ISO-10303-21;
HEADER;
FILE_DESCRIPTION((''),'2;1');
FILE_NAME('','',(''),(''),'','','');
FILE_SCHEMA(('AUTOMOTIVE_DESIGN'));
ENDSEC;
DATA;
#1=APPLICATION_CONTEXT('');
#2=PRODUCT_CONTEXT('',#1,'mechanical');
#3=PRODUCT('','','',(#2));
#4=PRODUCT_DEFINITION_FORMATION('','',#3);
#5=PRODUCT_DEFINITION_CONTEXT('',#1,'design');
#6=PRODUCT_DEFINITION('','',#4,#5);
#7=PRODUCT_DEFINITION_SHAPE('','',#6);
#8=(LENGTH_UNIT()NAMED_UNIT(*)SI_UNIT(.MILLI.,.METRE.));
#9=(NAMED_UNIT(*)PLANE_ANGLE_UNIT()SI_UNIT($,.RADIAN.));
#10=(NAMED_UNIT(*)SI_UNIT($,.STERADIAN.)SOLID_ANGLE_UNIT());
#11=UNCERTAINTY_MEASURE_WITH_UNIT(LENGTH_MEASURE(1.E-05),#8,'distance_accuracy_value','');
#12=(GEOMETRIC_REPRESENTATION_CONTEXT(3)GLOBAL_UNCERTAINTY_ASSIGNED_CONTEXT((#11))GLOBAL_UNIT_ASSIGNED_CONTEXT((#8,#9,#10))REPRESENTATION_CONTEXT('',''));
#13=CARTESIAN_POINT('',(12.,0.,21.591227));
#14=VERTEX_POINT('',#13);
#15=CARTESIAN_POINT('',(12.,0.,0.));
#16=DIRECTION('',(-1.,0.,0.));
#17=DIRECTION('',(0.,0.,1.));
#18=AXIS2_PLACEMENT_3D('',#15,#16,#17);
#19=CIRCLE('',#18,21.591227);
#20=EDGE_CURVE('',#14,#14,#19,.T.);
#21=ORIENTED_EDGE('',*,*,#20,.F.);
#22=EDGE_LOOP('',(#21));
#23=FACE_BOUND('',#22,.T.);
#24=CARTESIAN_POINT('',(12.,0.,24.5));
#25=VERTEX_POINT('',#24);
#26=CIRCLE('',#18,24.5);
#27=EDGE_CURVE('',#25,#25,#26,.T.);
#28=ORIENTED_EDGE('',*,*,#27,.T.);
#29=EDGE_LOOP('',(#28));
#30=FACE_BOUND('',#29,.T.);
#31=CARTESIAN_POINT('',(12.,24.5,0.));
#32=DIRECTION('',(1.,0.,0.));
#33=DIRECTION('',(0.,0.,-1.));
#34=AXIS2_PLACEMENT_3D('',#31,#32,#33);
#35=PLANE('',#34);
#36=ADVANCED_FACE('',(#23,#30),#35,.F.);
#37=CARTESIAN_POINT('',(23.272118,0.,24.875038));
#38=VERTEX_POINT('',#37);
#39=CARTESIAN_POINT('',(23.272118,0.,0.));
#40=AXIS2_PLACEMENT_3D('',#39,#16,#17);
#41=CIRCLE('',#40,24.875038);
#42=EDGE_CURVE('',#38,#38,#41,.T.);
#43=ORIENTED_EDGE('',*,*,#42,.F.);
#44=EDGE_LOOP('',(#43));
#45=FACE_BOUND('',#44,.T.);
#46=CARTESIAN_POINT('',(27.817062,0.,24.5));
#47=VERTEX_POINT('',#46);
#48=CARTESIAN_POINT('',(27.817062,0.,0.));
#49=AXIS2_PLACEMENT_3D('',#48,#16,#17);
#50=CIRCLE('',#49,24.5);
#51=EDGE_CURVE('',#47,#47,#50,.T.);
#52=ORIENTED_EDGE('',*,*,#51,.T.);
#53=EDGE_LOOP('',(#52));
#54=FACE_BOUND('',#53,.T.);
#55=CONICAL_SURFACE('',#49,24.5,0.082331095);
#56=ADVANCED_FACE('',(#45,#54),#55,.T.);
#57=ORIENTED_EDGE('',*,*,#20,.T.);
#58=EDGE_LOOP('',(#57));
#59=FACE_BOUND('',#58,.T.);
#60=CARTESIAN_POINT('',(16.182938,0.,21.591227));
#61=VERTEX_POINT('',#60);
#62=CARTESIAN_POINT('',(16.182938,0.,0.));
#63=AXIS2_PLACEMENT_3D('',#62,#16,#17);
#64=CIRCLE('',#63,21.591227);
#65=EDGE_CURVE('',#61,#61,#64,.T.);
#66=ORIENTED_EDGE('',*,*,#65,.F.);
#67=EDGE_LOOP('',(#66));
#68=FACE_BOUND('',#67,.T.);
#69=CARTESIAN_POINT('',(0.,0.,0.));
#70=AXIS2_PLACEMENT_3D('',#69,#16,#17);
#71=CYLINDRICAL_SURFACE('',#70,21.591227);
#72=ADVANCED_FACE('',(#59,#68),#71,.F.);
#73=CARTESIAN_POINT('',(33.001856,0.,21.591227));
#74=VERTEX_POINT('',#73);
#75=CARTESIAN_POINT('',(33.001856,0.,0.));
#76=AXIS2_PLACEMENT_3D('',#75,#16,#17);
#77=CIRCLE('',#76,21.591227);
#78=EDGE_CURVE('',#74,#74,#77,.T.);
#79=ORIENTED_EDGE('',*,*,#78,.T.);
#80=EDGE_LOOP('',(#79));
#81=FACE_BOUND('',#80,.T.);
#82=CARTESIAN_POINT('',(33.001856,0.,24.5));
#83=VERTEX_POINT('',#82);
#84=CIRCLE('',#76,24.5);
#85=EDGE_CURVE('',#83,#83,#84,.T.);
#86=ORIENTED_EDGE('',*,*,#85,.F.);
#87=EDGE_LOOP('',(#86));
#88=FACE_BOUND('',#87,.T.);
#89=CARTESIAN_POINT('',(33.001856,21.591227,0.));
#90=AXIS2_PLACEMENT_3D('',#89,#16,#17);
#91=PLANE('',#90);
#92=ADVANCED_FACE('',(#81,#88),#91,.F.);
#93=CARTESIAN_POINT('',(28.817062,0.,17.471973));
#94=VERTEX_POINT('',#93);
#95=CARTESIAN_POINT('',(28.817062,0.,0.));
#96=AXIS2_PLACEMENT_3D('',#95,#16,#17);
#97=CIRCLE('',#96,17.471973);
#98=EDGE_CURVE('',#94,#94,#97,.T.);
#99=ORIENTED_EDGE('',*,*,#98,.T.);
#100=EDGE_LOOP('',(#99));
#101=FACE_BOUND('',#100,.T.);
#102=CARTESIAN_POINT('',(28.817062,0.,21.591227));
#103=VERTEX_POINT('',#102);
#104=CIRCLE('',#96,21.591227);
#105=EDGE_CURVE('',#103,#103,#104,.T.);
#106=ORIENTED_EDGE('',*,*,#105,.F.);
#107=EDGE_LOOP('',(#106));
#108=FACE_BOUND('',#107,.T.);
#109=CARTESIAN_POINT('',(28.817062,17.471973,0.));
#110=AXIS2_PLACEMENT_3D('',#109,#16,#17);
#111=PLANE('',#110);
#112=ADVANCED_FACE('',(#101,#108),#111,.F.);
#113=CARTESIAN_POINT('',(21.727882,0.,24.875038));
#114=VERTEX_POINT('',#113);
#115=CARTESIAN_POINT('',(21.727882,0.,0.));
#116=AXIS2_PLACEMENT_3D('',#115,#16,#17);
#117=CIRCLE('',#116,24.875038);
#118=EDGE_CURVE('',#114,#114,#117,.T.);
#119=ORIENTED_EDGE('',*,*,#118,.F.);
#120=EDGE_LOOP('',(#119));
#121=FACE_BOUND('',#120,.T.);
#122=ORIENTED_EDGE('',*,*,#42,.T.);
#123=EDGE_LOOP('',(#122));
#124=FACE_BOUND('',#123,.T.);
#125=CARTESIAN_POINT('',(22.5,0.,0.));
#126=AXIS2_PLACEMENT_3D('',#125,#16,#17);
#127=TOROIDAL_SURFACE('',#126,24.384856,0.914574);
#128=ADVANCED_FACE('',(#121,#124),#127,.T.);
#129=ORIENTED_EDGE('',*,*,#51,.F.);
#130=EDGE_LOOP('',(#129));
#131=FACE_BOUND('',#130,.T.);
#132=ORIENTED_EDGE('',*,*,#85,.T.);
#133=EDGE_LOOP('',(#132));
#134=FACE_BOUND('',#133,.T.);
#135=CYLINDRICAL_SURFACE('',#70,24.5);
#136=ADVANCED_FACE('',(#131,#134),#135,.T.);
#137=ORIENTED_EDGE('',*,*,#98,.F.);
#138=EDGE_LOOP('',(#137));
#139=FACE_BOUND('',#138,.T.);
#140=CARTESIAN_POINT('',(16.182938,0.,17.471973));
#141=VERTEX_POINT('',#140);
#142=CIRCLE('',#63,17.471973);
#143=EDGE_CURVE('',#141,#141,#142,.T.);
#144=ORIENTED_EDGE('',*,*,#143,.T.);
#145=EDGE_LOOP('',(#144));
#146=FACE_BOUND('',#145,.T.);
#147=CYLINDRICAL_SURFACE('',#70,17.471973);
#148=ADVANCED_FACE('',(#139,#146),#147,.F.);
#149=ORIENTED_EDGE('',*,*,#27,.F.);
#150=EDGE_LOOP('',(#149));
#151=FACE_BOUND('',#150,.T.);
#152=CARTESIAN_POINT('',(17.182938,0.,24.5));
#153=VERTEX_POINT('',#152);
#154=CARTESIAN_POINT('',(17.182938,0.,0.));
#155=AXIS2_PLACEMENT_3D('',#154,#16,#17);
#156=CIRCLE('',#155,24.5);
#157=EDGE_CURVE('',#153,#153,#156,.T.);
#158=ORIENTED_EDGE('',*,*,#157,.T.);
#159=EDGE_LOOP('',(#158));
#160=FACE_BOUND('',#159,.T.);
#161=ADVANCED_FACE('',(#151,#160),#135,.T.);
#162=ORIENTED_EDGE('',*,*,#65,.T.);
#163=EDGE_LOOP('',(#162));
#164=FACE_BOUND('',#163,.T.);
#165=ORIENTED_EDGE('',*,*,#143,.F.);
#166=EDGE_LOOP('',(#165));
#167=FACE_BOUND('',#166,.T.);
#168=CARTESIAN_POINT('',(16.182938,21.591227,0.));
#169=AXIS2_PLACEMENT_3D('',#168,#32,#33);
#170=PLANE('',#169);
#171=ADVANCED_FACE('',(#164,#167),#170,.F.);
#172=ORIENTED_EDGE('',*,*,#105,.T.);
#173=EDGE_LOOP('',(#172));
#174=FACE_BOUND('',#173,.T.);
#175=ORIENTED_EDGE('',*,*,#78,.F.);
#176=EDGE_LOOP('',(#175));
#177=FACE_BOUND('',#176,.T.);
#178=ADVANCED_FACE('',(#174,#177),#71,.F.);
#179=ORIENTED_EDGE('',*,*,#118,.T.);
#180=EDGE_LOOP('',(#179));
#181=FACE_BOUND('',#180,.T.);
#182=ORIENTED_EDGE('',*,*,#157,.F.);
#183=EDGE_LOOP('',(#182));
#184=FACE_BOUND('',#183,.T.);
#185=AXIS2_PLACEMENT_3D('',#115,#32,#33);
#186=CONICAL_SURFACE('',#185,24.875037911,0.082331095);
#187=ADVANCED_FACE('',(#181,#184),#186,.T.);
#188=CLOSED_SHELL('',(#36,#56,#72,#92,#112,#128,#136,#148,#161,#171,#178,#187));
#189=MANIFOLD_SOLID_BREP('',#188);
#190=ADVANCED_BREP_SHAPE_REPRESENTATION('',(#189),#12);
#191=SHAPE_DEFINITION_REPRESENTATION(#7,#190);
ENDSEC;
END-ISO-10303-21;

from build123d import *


with BuildPart() as part:
    # Sketch1 → Revolve1 (revolve)
    with BuildSketch(Plane.XY, mode=Mode.PRIVATE) as revolve1_sk:
        with BuildLine():
            Line((12, 24.5), (12, 21.591227021))
            Line((12, 21.591227021), (16.182938488, 21.591227021))
            Line((16.182938488, 21.591227021), (16.182938488, 17.471972716))
            Line((16.182938488, 17.471972716), (28.817061512, 17.471972716))
            Line((28.817061512, 17.471972716), (28.817061512, 21.591227021))
            Line((28.817061512, 21.591227021), (33.001856356, 21.591227021))
            Line((33.001856356, 21.591227021), (33.001856356, 24.5))
            Line((33.001856356, 24.5), (33, 24.5))
            Line((33, 24.5), (27.817061512, 24.5))
            Line((27.817061512, 24.5), (24.746847829, 24.753346743))
            Line((24.746847829, 24.753346743), (23.272118433, 24.875037911))
            ThreePointArc((23.272118433, 24.875037911), (22.5, 25.299429712), (21.727881567, 24.875037911))
            Line((21.727881567, 24.875037911), (20.253152171, 24.753346743))
            Line((20.253152171, 24.753346743), (17.182938488, 24.5))
            Line((17.182938488, 24.5), (12, 24.5))
        make_face()
    revolve(revolve1_sk.sketch.rotate(Axis((0, 0, 0), (1, 0, 0)), 90), axis=Axis((0, 0, 0), (1, 0, 0)))


solid = part.part
